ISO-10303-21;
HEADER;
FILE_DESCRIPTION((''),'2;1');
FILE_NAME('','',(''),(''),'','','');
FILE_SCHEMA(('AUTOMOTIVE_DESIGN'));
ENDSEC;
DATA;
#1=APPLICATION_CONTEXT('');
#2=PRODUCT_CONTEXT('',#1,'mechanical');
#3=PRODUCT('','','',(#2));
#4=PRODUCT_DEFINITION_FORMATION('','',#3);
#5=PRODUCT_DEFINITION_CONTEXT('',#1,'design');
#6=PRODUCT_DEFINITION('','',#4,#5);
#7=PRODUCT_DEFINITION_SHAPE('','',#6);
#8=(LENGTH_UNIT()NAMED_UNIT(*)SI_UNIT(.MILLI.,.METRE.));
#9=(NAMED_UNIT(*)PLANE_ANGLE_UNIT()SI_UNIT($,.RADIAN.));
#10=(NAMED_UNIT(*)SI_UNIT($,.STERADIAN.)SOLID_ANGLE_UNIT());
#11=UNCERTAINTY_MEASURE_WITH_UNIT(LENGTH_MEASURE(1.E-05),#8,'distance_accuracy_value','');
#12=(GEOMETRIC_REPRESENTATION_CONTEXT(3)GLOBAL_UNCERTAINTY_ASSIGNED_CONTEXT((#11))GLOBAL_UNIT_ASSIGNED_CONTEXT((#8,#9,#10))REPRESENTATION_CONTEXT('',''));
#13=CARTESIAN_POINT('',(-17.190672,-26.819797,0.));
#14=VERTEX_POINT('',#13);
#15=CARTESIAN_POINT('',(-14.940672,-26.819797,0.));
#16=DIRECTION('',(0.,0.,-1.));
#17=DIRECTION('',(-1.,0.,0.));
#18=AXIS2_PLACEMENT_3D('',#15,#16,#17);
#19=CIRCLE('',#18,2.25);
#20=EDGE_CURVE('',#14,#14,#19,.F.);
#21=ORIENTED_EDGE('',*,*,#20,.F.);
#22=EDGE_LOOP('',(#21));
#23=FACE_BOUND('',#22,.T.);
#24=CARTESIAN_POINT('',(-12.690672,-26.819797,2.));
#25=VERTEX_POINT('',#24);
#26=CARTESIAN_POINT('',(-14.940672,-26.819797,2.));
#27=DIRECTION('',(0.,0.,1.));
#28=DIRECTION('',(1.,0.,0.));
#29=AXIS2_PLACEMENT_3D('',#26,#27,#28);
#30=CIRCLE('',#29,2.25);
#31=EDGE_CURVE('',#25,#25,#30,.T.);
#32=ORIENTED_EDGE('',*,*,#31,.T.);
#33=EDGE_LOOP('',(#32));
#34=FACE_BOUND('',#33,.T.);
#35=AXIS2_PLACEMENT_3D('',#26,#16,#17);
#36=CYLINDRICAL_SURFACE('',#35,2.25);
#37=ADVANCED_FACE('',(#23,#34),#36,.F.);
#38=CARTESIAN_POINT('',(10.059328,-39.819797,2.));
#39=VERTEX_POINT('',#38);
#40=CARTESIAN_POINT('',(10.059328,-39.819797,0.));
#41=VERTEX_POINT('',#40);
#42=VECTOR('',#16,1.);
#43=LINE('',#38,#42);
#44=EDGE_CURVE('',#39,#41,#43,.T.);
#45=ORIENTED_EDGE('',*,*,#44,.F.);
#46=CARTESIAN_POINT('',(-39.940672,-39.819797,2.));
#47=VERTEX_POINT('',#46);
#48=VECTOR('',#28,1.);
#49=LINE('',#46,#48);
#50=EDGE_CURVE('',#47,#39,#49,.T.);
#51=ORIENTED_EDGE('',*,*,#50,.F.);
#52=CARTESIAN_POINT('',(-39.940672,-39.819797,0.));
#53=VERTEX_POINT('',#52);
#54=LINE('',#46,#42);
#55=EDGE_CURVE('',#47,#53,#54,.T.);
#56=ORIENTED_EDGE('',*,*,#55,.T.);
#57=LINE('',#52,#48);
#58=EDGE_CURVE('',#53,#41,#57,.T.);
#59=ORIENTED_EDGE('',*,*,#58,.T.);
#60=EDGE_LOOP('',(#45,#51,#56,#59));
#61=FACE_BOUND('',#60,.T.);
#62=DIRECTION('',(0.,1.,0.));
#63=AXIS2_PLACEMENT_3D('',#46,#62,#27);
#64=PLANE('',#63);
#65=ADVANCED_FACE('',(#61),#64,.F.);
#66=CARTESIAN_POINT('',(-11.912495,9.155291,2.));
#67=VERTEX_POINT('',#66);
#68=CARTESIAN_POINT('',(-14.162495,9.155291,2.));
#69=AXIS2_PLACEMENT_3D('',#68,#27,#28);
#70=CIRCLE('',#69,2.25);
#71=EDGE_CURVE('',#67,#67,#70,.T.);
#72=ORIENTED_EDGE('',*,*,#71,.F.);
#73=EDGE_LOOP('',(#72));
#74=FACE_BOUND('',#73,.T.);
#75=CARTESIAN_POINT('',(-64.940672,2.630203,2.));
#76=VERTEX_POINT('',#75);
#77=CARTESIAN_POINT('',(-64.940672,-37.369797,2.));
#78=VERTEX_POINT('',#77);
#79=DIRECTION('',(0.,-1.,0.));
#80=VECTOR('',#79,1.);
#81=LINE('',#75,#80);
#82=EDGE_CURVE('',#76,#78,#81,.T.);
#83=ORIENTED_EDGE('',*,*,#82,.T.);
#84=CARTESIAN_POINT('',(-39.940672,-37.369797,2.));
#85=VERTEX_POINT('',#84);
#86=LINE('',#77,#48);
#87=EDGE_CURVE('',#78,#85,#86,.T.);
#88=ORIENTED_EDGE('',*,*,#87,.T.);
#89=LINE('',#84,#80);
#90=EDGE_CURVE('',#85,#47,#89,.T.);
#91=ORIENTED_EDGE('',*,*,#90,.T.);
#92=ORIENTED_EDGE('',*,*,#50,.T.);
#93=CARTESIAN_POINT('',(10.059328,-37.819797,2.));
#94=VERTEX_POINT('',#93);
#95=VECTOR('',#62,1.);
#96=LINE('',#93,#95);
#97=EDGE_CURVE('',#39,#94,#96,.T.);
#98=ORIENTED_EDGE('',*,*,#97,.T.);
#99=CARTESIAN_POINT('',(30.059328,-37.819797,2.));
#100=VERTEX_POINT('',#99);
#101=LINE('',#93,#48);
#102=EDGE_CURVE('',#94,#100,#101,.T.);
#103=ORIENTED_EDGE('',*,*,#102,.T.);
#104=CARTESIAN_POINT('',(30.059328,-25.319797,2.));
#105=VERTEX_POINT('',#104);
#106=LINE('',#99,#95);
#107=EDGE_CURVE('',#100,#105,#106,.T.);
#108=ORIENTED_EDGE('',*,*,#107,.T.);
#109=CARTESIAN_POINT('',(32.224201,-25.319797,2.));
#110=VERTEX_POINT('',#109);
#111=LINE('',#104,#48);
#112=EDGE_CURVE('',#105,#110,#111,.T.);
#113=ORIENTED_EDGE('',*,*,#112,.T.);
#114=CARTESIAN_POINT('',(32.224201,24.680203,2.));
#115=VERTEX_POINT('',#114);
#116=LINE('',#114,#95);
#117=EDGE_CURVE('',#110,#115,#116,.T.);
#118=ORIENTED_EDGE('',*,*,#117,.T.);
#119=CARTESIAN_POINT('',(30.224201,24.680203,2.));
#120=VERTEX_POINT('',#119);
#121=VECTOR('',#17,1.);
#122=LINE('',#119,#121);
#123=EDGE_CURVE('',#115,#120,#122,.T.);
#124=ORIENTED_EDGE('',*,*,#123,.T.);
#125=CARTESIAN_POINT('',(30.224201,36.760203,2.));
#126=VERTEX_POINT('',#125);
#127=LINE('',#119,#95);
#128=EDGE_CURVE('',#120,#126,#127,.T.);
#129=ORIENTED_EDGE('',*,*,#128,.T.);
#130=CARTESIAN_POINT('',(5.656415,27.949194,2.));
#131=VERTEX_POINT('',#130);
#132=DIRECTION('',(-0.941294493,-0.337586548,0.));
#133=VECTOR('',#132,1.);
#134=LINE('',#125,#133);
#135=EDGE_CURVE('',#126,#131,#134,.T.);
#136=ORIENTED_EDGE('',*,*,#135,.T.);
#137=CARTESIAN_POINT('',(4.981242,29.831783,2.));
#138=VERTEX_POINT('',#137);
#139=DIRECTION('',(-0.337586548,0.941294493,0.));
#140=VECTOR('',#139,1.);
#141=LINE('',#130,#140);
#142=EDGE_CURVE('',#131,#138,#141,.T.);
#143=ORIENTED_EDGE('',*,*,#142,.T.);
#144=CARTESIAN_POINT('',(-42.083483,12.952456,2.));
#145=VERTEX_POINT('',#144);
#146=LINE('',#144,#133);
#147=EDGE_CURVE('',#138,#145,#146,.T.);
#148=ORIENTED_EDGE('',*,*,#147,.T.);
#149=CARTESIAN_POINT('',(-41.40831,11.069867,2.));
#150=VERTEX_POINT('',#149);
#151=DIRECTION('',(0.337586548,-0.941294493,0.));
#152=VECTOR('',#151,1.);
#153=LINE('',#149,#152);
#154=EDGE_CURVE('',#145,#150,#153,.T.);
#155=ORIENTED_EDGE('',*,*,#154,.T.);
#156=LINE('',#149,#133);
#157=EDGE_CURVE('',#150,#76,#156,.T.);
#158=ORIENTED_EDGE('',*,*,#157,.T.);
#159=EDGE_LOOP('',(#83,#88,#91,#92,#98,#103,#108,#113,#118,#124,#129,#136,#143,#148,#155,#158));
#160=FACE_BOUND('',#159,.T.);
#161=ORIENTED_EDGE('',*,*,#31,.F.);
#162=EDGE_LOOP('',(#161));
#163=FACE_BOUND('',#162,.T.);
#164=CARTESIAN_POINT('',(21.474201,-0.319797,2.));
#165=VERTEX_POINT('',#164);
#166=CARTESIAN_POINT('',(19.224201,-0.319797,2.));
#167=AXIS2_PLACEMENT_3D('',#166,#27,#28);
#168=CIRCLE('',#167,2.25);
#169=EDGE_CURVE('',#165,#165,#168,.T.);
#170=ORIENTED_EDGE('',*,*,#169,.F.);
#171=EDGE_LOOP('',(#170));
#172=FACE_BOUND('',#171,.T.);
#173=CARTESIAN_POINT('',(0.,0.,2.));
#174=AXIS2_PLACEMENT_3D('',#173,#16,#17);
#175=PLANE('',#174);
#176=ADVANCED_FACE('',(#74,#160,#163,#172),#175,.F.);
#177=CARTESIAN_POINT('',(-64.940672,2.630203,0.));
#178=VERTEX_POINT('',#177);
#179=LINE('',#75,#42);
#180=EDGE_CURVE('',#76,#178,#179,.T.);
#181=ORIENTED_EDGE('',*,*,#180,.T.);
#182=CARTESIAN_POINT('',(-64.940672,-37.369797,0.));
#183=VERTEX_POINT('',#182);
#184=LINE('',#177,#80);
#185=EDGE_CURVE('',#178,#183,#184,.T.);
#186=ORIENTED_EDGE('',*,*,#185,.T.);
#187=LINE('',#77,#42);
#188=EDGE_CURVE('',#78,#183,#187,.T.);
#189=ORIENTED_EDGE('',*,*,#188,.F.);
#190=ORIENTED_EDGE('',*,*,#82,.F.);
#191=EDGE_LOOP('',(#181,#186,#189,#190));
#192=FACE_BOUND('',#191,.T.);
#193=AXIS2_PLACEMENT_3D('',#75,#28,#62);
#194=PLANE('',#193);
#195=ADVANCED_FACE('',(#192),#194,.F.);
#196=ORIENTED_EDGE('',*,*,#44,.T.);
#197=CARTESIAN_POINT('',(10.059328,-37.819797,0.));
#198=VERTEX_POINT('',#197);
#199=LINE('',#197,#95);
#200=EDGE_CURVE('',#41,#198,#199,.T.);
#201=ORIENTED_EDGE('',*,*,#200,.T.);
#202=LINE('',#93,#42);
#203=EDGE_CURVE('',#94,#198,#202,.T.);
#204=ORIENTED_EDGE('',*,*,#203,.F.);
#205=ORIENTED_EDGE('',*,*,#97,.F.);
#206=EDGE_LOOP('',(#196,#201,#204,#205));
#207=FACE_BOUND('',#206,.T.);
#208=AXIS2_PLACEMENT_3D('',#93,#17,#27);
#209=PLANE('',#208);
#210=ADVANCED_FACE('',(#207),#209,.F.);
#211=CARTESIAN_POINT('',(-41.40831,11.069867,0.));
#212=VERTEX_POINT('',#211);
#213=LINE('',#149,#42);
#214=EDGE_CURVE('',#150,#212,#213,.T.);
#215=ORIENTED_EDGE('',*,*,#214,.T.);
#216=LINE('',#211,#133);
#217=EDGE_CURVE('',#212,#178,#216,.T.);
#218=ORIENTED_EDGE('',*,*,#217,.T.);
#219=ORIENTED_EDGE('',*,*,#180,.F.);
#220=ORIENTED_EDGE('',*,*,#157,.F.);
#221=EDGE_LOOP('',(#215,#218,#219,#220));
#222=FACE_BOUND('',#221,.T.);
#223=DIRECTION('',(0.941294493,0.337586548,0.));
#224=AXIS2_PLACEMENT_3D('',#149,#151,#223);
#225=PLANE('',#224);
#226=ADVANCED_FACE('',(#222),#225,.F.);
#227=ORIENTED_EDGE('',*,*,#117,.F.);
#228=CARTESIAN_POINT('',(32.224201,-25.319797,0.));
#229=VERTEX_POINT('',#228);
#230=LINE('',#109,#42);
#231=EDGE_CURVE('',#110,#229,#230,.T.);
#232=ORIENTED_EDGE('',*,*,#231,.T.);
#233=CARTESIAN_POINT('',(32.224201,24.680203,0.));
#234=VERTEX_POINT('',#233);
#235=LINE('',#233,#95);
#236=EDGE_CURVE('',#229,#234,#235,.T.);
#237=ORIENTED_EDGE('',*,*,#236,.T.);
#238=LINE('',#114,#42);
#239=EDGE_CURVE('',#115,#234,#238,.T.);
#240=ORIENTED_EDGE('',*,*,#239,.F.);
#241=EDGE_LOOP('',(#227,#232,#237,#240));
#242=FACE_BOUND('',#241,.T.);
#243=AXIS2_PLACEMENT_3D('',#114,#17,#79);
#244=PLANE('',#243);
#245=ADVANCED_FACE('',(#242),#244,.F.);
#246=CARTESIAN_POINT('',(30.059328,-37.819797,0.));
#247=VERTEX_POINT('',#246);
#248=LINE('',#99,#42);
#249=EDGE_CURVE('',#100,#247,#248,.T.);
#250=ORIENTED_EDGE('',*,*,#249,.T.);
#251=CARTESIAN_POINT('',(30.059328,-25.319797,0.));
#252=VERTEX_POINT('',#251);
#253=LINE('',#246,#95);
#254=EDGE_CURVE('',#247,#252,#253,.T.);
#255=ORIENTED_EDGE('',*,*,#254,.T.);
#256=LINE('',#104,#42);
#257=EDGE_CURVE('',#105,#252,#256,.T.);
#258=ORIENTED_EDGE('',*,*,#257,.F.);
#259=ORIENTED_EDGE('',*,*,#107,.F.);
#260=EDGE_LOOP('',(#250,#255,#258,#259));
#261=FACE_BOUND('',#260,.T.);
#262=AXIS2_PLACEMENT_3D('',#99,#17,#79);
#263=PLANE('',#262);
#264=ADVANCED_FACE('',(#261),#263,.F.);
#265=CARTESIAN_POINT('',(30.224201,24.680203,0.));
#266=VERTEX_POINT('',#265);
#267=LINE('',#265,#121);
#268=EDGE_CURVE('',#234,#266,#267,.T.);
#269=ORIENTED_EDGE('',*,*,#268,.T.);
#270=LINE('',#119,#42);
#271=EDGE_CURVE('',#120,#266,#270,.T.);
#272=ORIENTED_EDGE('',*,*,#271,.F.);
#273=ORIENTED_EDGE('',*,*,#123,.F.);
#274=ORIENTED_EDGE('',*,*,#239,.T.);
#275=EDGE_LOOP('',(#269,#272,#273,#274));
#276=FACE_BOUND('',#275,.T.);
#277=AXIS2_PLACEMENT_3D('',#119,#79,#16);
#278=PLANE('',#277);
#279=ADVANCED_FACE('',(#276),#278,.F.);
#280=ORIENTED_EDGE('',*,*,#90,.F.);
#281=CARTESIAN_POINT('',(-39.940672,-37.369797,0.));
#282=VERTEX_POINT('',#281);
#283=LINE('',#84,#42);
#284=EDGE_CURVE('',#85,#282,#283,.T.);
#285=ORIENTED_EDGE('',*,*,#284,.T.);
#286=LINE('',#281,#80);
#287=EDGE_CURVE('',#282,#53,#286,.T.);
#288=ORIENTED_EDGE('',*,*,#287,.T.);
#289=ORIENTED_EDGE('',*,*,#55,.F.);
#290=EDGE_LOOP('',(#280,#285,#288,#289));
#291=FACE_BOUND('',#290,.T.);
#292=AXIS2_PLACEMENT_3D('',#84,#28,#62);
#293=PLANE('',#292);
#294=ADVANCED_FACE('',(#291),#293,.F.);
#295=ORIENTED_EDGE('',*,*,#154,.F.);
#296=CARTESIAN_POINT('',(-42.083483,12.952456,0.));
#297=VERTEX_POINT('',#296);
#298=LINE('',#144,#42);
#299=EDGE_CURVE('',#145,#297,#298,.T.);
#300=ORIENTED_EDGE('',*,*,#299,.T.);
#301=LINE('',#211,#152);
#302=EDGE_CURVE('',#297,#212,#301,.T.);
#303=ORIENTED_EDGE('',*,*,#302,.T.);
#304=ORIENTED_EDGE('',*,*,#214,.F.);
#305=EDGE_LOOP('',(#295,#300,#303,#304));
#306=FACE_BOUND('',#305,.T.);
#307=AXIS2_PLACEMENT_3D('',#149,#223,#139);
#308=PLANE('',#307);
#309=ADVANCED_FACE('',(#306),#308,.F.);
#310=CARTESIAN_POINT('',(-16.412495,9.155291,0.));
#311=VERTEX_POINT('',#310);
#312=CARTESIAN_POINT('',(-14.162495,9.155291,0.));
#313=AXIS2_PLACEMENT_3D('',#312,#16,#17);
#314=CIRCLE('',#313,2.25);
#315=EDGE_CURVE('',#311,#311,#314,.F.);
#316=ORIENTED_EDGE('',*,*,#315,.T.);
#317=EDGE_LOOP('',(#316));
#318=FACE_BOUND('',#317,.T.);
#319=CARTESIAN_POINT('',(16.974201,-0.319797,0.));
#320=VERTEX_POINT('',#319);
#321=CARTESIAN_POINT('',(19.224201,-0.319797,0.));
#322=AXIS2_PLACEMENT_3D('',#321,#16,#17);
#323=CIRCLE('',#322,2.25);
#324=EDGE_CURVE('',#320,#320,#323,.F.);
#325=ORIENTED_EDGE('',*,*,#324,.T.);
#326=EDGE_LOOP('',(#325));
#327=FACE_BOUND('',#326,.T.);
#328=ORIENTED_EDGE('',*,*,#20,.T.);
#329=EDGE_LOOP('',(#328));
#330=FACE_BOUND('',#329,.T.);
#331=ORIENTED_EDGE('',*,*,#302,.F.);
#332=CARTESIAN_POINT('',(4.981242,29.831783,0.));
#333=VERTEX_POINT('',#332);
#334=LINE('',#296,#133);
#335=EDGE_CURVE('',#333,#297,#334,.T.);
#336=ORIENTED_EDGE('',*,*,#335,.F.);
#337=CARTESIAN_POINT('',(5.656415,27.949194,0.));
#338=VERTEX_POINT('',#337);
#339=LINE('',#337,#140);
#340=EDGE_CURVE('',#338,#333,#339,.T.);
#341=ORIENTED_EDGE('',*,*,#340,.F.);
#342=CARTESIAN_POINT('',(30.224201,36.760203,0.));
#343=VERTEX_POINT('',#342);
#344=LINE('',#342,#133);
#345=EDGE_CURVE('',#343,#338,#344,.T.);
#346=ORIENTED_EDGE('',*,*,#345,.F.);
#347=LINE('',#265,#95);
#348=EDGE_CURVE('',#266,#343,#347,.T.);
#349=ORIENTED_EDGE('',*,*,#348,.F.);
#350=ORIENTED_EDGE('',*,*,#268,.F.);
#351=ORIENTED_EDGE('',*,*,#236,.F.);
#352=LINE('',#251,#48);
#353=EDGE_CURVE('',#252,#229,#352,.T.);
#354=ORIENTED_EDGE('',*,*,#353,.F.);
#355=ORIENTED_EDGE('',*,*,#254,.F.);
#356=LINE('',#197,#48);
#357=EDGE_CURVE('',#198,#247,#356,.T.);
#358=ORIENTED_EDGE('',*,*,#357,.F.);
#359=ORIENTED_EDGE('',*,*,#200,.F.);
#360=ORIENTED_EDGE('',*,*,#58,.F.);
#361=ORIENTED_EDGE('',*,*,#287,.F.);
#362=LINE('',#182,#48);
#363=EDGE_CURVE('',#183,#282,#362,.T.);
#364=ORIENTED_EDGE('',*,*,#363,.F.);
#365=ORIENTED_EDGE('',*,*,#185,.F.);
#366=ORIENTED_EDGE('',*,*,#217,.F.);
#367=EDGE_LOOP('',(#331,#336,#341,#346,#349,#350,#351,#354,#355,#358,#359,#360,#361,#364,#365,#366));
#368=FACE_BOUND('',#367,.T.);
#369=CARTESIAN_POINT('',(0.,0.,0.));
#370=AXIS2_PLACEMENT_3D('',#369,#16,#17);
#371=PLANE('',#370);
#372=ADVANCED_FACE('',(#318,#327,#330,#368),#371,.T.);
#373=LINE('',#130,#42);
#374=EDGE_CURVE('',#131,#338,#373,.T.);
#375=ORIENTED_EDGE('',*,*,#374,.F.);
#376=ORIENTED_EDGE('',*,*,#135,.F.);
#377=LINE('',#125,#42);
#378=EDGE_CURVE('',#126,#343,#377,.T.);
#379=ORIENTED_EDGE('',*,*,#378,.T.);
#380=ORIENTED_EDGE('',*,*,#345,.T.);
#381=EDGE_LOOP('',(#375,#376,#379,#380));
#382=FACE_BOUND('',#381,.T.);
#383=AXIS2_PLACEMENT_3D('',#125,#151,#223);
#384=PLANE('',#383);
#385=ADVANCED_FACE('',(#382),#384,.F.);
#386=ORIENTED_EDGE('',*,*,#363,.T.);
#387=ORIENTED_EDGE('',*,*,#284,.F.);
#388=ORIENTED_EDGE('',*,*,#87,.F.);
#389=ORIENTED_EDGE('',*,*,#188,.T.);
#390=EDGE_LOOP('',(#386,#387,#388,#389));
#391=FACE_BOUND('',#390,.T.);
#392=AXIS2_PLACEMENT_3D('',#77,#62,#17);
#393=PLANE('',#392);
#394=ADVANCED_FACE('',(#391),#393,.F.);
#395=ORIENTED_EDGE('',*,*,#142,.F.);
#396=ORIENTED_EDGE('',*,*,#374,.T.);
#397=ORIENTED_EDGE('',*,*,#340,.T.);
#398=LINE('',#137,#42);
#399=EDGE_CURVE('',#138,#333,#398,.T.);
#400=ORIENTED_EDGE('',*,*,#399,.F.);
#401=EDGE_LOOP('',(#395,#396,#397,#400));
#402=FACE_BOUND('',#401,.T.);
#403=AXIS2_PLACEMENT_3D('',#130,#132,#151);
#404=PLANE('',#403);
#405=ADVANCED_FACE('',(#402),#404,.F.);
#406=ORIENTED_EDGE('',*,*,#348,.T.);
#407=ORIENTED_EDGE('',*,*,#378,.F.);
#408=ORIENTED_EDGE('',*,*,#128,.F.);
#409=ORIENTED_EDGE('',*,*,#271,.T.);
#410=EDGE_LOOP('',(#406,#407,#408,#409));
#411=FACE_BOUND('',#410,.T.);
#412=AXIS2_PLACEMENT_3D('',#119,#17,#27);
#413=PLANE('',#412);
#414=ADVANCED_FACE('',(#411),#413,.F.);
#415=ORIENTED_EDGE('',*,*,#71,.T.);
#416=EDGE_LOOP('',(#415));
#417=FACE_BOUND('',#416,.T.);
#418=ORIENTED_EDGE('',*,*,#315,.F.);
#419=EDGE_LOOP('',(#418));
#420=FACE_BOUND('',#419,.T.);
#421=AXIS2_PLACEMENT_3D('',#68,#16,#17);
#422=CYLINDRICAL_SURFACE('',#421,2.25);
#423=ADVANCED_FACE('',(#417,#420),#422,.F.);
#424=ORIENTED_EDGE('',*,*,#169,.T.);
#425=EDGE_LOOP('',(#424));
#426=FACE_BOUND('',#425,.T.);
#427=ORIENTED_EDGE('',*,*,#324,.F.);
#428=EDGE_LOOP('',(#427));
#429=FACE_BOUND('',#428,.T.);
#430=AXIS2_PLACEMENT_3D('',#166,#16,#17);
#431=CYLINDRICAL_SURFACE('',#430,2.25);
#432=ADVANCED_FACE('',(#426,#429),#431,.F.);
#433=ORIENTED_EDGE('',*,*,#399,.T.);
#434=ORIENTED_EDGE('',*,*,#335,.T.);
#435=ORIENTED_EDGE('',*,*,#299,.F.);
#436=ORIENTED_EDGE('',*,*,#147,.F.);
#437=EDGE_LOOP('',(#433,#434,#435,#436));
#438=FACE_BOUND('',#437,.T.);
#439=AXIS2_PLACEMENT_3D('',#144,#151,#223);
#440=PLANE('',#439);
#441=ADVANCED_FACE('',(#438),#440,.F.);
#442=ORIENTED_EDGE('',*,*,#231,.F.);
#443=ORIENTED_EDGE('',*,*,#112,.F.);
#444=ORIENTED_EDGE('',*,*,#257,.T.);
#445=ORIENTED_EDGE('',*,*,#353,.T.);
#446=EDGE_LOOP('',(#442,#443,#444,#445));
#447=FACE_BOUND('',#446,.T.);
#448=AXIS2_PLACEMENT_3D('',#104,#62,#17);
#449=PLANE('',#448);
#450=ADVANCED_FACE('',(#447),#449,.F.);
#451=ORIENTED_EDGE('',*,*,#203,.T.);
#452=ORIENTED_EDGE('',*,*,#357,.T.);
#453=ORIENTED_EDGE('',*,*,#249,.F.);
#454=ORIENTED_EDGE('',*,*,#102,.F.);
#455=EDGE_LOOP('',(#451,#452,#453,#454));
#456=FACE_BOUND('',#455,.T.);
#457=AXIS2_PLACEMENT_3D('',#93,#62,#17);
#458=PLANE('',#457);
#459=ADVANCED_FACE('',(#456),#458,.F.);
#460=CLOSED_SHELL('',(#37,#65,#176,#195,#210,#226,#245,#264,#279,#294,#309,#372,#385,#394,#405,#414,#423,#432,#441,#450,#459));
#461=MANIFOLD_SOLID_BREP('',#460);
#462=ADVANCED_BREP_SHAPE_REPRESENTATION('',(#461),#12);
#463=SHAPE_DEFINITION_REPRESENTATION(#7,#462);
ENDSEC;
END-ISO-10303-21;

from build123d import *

# Parameters (mm, degrees)
EXTRUDE_1_DEPTH          = 2
SKETCH_3_R               = 2.25
CUT_EXTRUDE_1_DEPTH      = 2
CUT_EXTRUDE_1_DEPTH_BACK = 10


with BuildPart() as part:
    # 草图2 → 凸台-拉伸1 (new body)
    with BuildSketch(Plane.XY):
        Polygon((30.22420133, 24.680203113), (30.22420133, 36.760203113), (5.656415061, 27.949194211), (4.981241965, 29.831783197), (-42.083482687, 12.952455799), (-41.408309591, 11.069866813), (-64.940671917, 2.630203113), (-64.940671917, -37.369796887), (-39.940671917, -37.369796887), (-39.940671917, -39.819796887), (10.059328083, -39.819796887), (10.059328083, -37.819796887), (30.059328083, -37.819796887), (30.059328083, -25.319796887), (32.22420133, -25.319796887), (32.22420133, 24.680203113), align=None)
    extrude(amount=EXTRUDE_1_DEPTH)

    # 草图3 → 切除-拉伸1 (cut, two sides)
    with BuildSketch(Plane.XY) as cut_extrude_1_sk:
        with Locations((-14.162495237, 9.155291089)):
            Circle(SKETCH_3_R)
        with Locations((19.22420133, -0.319796887)):
            Circle(SKETCH_3_R)
        with Locations((-14.940671917, -26.819796887)):
            Circle(SKETCH_3_R)
    extrude(amount=CUT_EXTRUDE_1_DEPTH, mode=Mode.SUBTRACT)
    extrude(cut_extrude_1_sk.sketch, amount=-CUT_EXTRUDE_1_DEPTH_BACK, mode=Mode.SUBTRACT)


solid = part.part
